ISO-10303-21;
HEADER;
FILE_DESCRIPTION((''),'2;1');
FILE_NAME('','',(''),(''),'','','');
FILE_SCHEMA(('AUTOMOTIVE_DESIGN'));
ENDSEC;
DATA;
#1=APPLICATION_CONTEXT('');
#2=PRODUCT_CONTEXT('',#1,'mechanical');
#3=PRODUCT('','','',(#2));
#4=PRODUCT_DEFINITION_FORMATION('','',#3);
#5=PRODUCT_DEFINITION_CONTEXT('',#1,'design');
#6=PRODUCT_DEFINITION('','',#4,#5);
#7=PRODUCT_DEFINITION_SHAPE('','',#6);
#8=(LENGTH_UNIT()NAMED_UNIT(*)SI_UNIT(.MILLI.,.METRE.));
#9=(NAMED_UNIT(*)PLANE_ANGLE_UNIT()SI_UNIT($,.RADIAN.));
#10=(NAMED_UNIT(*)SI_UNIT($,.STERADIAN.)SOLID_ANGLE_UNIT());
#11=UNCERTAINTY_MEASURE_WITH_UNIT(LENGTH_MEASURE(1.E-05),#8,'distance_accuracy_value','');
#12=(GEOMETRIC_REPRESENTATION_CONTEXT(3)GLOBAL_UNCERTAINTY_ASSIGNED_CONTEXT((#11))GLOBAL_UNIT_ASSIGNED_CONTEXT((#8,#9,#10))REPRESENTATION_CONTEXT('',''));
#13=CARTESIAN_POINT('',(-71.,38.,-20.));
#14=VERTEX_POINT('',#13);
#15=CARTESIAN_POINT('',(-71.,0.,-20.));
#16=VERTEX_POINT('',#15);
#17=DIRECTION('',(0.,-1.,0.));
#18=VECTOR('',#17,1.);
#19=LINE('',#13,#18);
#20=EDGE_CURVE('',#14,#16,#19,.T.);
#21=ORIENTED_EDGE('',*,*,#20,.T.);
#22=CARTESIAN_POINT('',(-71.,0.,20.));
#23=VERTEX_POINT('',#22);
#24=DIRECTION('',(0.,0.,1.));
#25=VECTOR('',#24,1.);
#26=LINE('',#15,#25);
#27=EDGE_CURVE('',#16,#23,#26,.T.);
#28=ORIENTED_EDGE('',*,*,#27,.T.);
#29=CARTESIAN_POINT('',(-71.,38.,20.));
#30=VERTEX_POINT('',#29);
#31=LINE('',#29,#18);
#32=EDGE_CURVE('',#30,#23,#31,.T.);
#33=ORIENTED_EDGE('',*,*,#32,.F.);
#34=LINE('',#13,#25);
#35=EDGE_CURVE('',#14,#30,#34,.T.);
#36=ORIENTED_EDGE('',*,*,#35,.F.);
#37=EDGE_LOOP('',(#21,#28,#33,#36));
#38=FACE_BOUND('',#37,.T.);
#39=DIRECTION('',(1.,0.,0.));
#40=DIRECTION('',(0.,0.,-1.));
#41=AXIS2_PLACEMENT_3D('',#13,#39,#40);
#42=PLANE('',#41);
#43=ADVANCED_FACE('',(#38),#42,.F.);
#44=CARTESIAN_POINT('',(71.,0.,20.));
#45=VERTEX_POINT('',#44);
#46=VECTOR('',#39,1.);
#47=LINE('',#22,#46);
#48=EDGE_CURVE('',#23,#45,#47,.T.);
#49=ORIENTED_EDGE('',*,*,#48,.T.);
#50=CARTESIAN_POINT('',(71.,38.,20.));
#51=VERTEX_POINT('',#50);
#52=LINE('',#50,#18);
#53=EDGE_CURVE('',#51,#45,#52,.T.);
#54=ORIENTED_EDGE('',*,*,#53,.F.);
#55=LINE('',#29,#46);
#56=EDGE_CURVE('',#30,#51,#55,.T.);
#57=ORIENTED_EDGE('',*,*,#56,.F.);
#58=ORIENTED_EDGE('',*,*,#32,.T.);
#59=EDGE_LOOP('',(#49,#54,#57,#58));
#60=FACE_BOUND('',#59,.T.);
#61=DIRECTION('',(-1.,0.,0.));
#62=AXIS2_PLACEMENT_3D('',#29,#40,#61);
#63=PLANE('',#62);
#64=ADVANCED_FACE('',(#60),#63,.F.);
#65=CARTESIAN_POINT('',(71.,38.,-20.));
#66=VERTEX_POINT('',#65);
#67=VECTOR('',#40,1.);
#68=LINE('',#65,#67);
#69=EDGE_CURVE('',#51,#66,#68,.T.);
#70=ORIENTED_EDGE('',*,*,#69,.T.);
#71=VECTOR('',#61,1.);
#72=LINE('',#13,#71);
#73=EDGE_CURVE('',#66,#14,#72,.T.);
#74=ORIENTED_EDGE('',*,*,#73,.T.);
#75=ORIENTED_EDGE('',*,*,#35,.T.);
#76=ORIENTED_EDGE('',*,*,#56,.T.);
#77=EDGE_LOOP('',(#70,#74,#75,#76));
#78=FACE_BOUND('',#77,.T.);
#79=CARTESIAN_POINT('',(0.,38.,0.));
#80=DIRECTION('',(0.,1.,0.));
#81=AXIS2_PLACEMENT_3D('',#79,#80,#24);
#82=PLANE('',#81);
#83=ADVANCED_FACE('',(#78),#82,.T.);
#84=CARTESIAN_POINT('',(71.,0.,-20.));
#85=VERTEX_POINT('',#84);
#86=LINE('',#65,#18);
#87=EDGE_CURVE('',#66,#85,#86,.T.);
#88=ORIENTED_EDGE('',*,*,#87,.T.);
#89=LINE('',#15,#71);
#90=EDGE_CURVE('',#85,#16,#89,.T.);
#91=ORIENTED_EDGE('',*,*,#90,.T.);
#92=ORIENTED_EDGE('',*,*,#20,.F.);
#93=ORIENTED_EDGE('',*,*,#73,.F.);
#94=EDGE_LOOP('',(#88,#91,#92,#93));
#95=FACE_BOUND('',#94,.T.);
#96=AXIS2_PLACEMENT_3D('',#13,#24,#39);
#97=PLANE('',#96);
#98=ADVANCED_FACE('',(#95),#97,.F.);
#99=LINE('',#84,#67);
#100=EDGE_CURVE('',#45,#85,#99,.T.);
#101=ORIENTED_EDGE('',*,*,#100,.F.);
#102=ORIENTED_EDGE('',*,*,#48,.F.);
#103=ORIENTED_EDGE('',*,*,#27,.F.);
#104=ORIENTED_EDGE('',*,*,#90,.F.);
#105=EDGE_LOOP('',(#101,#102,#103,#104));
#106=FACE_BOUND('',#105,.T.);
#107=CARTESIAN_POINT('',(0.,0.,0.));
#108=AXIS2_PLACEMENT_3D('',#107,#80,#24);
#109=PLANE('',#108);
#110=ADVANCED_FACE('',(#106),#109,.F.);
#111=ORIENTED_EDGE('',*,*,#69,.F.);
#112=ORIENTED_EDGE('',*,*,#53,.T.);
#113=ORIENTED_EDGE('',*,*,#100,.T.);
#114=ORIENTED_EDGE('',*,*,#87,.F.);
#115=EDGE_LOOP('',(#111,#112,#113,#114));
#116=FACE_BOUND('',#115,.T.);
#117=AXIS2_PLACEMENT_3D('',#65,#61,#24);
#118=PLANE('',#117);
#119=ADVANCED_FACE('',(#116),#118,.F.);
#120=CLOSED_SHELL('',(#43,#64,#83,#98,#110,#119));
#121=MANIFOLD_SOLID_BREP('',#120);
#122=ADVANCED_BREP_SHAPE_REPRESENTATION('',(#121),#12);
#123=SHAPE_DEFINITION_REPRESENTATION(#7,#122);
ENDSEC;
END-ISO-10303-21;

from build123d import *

# Parameters (mm, degrees)
SKETCH_1_W      = 142
SKETCH_1_H      = 40
EXTRUDE_1_DEPTH = 38


with BuildPart() as part:
    # 草图1 → 凸台-拉伸1 (new body)
    with BuildSketch(Plane(origin=(0, 0, 0), x_dir=(1, 0, 0), z_dir=(0, 1, 0))):
        Rectangle(SKETCH_1_W, SKETCH_1_H)
    extrude(amount=EXTRUDE_1_DEPTH)


solid = part.part
